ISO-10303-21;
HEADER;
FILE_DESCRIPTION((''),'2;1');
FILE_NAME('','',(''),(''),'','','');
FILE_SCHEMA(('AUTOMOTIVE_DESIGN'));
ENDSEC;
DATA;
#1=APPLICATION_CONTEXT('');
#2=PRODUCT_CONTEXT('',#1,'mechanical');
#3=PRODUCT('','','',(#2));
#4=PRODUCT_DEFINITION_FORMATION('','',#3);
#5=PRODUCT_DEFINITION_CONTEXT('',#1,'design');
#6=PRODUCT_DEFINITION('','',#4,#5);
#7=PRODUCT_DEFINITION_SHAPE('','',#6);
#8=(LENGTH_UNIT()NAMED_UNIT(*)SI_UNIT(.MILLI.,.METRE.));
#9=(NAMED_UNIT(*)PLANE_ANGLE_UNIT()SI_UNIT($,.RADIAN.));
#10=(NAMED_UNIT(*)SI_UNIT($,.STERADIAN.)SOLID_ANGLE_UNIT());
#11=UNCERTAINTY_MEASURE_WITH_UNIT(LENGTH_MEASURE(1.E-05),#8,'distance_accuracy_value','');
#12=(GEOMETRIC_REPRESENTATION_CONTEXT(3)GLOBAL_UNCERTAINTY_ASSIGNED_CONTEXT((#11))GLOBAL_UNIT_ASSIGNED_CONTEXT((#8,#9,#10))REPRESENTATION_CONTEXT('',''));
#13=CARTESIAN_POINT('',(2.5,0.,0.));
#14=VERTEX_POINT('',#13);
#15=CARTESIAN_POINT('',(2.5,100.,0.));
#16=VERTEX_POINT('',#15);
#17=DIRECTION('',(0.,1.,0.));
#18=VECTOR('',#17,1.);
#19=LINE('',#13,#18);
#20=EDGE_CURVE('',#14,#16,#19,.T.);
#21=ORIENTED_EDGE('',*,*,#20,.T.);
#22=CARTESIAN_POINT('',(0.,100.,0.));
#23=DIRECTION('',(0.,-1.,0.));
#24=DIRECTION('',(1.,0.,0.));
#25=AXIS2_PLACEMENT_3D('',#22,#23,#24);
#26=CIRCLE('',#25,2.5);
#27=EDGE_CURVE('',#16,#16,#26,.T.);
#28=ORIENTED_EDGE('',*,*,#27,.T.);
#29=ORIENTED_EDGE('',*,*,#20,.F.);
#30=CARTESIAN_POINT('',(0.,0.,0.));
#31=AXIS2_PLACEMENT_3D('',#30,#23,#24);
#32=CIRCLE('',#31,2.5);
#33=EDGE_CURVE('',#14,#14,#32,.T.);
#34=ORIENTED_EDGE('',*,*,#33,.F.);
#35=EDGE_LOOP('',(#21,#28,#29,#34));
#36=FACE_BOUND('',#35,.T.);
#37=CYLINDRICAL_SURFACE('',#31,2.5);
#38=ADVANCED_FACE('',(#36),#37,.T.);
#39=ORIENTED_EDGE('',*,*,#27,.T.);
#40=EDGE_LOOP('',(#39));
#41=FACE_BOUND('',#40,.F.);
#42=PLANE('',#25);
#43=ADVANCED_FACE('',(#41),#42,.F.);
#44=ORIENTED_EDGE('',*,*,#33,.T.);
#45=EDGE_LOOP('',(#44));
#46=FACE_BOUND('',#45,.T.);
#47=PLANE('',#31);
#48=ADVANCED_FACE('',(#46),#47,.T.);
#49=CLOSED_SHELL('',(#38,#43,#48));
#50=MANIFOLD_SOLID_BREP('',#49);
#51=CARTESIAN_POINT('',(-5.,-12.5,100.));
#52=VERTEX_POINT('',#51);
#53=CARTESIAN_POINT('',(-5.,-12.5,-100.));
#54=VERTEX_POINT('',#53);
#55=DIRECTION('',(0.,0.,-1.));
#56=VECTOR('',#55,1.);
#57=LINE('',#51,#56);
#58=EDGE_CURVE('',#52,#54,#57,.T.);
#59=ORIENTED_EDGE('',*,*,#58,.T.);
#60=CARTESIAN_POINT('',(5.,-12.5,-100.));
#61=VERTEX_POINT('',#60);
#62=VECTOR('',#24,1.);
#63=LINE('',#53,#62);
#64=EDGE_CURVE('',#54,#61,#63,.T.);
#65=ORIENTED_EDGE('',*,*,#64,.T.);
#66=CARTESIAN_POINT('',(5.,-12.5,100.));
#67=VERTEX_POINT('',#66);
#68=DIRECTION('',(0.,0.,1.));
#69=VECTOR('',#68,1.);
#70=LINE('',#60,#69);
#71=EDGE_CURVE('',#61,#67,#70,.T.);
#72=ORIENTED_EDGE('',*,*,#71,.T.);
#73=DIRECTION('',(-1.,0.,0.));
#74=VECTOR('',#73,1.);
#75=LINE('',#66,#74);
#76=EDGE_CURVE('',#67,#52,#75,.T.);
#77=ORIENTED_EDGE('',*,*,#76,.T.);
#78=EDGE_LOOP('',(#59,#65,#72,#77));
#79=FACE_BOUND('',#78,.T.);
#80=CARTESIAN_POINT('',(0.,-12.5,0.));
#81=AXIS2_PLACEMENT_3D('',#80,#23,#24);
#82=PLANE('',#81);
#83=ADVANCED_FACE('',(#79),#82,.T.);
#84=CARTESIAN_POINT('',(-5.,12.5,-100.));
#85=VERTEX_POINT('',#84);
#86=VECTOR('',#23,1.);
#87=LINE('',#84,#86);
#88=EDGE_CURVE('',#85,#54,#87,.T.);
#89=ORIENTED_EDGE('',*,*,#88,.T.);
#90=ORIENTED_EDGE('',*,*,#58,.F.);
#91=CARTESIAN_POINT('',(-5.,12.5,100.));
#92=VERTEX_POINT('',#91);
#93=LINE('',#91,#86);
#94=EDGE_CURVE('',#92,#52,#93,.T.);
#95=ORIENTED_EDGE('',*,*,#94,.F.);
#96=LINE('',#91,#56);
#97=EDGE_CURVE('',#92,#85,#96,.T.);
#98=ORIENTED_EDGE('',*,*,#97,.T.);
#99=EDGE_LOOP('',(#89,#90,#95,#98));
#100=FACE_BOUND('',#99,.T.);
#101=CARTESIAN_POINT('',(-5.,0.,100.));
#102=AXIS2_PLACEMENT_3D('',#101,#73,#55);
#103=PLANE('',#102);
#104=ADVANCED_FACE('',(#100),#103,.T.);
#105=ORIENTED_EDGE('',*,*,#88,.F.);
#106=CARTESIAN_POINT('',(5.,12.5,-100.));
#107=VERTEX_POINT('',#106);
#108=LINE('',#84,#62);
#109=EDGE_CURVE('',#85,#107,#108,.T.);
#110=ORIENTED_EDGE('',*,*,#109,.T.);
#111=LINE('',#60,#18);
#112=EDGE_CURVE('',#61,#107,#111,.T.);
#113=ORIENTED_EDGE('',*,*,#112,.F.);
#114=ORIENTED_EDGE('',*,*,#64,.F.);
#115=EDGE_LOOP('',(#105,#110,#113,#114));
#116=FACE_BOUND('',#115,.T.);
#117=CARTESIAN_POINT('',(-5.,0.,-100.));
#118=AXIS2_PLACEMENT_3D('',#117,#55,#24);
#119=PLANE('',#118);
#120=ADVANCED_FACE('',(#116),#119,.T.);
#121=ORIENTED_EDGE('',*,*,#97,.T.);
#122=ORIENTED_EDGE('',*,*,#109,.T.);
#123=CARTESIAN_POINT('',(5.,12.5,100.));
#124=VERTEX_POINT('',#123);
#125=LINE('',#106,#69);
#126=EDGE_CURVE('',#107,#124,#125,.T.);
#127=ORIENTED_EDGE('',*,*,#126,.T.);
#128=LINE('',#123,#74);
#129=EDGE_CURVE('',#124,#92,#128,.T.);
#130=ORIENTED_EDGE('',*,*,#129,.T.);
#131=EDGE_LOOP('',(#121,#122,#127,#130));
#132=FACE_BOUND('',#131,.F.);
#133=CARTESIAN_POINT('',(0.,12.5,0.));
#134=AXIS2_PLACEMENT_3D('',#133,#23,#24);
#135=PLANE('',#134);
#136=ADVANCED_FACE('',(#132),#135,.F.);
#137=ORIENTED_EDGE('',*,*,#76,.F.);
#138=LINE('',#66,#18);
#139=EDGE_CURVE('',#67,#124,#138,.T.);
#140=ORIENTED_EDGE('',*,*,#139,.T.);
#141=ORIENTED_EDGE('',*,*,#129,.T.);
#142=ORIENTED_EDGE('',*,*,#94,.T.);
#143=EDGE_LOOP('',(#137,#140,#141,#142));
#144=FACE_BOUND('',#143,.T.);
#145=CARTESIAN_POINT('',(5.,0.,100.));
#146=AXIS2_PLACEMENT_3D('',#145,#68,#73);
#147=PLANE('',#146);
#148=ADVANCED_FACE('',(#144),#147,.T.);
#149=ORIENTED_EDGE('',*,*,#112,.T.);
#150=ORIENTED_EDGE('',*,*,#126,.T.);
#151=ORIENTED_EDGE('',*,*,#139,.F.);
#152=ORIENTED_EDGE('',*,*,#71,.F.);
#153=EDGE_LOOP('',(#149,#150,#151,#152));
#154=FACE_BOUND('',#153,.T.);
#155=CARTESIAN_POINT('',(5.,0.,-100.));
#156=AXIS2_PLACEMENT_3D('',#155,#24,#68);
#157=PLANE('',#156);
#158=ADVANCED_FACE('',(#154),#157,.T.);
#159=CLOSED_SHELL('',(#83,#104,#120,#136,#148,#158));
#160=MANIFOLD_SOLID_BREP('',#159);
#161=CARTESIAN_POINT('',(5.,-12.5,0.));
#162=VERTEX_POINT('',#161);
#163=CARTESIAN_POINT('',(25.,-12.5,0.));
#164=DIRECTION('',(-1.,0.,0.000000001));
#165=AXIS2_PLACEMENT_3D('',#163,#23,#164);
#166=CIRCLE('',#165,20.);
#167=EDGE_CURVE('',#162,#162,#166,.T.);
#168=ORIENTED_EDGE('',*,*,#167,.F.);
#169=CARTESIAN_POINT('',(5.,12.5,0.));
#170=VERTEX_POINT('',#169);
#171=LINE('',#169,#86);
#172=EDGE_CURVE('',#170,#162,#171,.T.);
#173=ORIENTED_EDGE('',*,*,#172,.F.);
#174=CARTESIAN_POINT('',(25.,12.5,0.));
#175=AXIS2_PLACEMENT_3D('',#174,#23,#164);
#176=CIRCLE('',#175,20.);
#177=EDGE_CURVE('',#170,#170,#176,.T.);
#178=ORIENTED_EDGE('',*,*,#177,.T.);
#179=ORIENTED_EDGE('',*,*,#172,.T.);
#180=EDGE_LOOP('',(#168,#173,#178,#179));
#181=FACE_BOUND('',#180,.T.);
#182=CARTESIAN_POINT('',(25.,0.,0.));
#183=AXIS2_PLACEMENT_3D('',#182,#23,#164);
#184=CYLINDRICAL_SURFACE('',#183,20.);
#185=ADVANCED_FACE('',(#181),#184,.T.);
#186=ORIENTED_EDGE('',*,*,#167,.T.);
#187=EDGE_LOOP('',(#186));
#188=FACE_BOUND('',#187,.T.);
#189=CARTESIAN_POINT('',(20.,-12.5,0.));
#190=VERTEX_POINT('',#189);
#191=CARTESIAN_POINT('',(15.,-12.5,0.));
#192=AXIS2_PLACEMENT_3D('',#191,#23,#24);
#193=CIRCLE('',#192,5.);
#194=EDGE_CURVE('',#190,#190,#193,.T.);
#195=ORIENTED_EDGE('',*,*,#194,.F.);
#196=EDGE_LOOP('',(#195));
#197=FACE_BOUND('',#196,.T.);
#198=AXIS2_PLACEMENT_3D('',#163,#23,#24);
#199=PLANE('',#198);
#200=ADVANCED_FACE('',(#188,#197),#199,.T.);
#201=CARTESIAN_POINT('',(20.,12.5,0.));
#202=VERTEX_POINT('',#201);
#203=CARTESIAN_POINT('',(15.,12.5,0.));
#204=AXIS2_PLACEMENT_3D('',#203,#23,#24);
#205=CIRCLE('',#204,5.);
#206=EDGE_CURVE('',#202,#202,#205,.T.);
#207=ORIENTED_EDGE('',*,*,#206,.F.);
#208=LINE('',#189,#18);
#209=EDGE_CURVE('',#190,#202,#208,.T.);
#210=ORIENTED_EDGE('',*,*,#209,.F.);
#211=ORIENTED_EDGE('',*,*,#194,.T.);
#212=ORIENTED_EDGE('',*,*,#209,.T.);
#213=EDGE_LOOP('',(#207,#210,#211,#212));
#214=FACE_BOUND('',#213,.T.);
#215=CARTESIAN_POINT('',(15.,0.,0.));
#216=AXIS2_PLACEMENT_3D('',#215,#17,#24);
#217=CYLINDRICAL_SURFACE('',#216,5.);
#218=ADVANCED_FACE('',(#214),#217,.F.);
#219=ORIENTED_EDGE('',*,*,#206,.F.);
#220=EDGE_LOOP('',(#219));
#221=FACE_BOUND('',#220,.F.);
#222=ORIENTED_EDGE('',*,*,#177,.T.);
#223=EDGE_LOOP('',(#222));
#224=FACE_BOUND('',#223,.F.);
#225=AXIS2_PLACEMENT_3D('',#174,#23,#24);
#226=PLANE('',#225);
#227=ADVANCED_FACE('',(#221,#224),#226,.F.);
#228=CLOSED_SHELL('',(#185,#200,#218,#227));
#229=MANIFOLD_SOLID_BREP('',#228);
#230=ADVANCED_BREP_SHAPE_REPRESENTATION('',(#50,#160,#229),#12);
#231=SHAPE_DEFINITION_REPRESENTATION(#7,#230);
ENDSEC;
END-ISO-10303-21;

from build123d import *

# Parameters (mm, degrees)
F1_DEPTH = 12.5
F0_R     = 5
F2_R     = 2.5
F3_DEPTH = 100


with BuildPart() as f1:
    # F0 (on Front) → F1 (new body, symmetric)
    with BuildSketch(Plane.XZ):
        Polygon((5, 100), (-5, 100), (-5, -100), (5, -100), (5, 1.94e-08), align=None)
    extrude(amount=F1_DEPTH, both=True)


with BuildPart() as f1b:
    # F0 (on Front) → F1, piece 2 (new body, symmetric)
    with BuildSketch(Plane.XZ):
        with BuildLine():
            ThreePointArc((45, 0), (25.0000000097, 20), (5, 1.94e-08))
            ThreePointArc((5, 1.94e-08), (24.9999999903, -20), (45, 0))
        make_face()
        with Locations((15, 0)):
            Circle(F0_R, mode=Mode.SUBTRACT)
    extrude(amount=F1_DEPTH, both=True)


with BuildPart() as f3:
    # F2 (on Front) → F3 (new body)
    with BuildSketch(Plane.XZ):
        Circle(F2_R)
    extrude(amount=-F3_DEPTH)


solid = Compound([f1.part, f1b.part, f3.part])
